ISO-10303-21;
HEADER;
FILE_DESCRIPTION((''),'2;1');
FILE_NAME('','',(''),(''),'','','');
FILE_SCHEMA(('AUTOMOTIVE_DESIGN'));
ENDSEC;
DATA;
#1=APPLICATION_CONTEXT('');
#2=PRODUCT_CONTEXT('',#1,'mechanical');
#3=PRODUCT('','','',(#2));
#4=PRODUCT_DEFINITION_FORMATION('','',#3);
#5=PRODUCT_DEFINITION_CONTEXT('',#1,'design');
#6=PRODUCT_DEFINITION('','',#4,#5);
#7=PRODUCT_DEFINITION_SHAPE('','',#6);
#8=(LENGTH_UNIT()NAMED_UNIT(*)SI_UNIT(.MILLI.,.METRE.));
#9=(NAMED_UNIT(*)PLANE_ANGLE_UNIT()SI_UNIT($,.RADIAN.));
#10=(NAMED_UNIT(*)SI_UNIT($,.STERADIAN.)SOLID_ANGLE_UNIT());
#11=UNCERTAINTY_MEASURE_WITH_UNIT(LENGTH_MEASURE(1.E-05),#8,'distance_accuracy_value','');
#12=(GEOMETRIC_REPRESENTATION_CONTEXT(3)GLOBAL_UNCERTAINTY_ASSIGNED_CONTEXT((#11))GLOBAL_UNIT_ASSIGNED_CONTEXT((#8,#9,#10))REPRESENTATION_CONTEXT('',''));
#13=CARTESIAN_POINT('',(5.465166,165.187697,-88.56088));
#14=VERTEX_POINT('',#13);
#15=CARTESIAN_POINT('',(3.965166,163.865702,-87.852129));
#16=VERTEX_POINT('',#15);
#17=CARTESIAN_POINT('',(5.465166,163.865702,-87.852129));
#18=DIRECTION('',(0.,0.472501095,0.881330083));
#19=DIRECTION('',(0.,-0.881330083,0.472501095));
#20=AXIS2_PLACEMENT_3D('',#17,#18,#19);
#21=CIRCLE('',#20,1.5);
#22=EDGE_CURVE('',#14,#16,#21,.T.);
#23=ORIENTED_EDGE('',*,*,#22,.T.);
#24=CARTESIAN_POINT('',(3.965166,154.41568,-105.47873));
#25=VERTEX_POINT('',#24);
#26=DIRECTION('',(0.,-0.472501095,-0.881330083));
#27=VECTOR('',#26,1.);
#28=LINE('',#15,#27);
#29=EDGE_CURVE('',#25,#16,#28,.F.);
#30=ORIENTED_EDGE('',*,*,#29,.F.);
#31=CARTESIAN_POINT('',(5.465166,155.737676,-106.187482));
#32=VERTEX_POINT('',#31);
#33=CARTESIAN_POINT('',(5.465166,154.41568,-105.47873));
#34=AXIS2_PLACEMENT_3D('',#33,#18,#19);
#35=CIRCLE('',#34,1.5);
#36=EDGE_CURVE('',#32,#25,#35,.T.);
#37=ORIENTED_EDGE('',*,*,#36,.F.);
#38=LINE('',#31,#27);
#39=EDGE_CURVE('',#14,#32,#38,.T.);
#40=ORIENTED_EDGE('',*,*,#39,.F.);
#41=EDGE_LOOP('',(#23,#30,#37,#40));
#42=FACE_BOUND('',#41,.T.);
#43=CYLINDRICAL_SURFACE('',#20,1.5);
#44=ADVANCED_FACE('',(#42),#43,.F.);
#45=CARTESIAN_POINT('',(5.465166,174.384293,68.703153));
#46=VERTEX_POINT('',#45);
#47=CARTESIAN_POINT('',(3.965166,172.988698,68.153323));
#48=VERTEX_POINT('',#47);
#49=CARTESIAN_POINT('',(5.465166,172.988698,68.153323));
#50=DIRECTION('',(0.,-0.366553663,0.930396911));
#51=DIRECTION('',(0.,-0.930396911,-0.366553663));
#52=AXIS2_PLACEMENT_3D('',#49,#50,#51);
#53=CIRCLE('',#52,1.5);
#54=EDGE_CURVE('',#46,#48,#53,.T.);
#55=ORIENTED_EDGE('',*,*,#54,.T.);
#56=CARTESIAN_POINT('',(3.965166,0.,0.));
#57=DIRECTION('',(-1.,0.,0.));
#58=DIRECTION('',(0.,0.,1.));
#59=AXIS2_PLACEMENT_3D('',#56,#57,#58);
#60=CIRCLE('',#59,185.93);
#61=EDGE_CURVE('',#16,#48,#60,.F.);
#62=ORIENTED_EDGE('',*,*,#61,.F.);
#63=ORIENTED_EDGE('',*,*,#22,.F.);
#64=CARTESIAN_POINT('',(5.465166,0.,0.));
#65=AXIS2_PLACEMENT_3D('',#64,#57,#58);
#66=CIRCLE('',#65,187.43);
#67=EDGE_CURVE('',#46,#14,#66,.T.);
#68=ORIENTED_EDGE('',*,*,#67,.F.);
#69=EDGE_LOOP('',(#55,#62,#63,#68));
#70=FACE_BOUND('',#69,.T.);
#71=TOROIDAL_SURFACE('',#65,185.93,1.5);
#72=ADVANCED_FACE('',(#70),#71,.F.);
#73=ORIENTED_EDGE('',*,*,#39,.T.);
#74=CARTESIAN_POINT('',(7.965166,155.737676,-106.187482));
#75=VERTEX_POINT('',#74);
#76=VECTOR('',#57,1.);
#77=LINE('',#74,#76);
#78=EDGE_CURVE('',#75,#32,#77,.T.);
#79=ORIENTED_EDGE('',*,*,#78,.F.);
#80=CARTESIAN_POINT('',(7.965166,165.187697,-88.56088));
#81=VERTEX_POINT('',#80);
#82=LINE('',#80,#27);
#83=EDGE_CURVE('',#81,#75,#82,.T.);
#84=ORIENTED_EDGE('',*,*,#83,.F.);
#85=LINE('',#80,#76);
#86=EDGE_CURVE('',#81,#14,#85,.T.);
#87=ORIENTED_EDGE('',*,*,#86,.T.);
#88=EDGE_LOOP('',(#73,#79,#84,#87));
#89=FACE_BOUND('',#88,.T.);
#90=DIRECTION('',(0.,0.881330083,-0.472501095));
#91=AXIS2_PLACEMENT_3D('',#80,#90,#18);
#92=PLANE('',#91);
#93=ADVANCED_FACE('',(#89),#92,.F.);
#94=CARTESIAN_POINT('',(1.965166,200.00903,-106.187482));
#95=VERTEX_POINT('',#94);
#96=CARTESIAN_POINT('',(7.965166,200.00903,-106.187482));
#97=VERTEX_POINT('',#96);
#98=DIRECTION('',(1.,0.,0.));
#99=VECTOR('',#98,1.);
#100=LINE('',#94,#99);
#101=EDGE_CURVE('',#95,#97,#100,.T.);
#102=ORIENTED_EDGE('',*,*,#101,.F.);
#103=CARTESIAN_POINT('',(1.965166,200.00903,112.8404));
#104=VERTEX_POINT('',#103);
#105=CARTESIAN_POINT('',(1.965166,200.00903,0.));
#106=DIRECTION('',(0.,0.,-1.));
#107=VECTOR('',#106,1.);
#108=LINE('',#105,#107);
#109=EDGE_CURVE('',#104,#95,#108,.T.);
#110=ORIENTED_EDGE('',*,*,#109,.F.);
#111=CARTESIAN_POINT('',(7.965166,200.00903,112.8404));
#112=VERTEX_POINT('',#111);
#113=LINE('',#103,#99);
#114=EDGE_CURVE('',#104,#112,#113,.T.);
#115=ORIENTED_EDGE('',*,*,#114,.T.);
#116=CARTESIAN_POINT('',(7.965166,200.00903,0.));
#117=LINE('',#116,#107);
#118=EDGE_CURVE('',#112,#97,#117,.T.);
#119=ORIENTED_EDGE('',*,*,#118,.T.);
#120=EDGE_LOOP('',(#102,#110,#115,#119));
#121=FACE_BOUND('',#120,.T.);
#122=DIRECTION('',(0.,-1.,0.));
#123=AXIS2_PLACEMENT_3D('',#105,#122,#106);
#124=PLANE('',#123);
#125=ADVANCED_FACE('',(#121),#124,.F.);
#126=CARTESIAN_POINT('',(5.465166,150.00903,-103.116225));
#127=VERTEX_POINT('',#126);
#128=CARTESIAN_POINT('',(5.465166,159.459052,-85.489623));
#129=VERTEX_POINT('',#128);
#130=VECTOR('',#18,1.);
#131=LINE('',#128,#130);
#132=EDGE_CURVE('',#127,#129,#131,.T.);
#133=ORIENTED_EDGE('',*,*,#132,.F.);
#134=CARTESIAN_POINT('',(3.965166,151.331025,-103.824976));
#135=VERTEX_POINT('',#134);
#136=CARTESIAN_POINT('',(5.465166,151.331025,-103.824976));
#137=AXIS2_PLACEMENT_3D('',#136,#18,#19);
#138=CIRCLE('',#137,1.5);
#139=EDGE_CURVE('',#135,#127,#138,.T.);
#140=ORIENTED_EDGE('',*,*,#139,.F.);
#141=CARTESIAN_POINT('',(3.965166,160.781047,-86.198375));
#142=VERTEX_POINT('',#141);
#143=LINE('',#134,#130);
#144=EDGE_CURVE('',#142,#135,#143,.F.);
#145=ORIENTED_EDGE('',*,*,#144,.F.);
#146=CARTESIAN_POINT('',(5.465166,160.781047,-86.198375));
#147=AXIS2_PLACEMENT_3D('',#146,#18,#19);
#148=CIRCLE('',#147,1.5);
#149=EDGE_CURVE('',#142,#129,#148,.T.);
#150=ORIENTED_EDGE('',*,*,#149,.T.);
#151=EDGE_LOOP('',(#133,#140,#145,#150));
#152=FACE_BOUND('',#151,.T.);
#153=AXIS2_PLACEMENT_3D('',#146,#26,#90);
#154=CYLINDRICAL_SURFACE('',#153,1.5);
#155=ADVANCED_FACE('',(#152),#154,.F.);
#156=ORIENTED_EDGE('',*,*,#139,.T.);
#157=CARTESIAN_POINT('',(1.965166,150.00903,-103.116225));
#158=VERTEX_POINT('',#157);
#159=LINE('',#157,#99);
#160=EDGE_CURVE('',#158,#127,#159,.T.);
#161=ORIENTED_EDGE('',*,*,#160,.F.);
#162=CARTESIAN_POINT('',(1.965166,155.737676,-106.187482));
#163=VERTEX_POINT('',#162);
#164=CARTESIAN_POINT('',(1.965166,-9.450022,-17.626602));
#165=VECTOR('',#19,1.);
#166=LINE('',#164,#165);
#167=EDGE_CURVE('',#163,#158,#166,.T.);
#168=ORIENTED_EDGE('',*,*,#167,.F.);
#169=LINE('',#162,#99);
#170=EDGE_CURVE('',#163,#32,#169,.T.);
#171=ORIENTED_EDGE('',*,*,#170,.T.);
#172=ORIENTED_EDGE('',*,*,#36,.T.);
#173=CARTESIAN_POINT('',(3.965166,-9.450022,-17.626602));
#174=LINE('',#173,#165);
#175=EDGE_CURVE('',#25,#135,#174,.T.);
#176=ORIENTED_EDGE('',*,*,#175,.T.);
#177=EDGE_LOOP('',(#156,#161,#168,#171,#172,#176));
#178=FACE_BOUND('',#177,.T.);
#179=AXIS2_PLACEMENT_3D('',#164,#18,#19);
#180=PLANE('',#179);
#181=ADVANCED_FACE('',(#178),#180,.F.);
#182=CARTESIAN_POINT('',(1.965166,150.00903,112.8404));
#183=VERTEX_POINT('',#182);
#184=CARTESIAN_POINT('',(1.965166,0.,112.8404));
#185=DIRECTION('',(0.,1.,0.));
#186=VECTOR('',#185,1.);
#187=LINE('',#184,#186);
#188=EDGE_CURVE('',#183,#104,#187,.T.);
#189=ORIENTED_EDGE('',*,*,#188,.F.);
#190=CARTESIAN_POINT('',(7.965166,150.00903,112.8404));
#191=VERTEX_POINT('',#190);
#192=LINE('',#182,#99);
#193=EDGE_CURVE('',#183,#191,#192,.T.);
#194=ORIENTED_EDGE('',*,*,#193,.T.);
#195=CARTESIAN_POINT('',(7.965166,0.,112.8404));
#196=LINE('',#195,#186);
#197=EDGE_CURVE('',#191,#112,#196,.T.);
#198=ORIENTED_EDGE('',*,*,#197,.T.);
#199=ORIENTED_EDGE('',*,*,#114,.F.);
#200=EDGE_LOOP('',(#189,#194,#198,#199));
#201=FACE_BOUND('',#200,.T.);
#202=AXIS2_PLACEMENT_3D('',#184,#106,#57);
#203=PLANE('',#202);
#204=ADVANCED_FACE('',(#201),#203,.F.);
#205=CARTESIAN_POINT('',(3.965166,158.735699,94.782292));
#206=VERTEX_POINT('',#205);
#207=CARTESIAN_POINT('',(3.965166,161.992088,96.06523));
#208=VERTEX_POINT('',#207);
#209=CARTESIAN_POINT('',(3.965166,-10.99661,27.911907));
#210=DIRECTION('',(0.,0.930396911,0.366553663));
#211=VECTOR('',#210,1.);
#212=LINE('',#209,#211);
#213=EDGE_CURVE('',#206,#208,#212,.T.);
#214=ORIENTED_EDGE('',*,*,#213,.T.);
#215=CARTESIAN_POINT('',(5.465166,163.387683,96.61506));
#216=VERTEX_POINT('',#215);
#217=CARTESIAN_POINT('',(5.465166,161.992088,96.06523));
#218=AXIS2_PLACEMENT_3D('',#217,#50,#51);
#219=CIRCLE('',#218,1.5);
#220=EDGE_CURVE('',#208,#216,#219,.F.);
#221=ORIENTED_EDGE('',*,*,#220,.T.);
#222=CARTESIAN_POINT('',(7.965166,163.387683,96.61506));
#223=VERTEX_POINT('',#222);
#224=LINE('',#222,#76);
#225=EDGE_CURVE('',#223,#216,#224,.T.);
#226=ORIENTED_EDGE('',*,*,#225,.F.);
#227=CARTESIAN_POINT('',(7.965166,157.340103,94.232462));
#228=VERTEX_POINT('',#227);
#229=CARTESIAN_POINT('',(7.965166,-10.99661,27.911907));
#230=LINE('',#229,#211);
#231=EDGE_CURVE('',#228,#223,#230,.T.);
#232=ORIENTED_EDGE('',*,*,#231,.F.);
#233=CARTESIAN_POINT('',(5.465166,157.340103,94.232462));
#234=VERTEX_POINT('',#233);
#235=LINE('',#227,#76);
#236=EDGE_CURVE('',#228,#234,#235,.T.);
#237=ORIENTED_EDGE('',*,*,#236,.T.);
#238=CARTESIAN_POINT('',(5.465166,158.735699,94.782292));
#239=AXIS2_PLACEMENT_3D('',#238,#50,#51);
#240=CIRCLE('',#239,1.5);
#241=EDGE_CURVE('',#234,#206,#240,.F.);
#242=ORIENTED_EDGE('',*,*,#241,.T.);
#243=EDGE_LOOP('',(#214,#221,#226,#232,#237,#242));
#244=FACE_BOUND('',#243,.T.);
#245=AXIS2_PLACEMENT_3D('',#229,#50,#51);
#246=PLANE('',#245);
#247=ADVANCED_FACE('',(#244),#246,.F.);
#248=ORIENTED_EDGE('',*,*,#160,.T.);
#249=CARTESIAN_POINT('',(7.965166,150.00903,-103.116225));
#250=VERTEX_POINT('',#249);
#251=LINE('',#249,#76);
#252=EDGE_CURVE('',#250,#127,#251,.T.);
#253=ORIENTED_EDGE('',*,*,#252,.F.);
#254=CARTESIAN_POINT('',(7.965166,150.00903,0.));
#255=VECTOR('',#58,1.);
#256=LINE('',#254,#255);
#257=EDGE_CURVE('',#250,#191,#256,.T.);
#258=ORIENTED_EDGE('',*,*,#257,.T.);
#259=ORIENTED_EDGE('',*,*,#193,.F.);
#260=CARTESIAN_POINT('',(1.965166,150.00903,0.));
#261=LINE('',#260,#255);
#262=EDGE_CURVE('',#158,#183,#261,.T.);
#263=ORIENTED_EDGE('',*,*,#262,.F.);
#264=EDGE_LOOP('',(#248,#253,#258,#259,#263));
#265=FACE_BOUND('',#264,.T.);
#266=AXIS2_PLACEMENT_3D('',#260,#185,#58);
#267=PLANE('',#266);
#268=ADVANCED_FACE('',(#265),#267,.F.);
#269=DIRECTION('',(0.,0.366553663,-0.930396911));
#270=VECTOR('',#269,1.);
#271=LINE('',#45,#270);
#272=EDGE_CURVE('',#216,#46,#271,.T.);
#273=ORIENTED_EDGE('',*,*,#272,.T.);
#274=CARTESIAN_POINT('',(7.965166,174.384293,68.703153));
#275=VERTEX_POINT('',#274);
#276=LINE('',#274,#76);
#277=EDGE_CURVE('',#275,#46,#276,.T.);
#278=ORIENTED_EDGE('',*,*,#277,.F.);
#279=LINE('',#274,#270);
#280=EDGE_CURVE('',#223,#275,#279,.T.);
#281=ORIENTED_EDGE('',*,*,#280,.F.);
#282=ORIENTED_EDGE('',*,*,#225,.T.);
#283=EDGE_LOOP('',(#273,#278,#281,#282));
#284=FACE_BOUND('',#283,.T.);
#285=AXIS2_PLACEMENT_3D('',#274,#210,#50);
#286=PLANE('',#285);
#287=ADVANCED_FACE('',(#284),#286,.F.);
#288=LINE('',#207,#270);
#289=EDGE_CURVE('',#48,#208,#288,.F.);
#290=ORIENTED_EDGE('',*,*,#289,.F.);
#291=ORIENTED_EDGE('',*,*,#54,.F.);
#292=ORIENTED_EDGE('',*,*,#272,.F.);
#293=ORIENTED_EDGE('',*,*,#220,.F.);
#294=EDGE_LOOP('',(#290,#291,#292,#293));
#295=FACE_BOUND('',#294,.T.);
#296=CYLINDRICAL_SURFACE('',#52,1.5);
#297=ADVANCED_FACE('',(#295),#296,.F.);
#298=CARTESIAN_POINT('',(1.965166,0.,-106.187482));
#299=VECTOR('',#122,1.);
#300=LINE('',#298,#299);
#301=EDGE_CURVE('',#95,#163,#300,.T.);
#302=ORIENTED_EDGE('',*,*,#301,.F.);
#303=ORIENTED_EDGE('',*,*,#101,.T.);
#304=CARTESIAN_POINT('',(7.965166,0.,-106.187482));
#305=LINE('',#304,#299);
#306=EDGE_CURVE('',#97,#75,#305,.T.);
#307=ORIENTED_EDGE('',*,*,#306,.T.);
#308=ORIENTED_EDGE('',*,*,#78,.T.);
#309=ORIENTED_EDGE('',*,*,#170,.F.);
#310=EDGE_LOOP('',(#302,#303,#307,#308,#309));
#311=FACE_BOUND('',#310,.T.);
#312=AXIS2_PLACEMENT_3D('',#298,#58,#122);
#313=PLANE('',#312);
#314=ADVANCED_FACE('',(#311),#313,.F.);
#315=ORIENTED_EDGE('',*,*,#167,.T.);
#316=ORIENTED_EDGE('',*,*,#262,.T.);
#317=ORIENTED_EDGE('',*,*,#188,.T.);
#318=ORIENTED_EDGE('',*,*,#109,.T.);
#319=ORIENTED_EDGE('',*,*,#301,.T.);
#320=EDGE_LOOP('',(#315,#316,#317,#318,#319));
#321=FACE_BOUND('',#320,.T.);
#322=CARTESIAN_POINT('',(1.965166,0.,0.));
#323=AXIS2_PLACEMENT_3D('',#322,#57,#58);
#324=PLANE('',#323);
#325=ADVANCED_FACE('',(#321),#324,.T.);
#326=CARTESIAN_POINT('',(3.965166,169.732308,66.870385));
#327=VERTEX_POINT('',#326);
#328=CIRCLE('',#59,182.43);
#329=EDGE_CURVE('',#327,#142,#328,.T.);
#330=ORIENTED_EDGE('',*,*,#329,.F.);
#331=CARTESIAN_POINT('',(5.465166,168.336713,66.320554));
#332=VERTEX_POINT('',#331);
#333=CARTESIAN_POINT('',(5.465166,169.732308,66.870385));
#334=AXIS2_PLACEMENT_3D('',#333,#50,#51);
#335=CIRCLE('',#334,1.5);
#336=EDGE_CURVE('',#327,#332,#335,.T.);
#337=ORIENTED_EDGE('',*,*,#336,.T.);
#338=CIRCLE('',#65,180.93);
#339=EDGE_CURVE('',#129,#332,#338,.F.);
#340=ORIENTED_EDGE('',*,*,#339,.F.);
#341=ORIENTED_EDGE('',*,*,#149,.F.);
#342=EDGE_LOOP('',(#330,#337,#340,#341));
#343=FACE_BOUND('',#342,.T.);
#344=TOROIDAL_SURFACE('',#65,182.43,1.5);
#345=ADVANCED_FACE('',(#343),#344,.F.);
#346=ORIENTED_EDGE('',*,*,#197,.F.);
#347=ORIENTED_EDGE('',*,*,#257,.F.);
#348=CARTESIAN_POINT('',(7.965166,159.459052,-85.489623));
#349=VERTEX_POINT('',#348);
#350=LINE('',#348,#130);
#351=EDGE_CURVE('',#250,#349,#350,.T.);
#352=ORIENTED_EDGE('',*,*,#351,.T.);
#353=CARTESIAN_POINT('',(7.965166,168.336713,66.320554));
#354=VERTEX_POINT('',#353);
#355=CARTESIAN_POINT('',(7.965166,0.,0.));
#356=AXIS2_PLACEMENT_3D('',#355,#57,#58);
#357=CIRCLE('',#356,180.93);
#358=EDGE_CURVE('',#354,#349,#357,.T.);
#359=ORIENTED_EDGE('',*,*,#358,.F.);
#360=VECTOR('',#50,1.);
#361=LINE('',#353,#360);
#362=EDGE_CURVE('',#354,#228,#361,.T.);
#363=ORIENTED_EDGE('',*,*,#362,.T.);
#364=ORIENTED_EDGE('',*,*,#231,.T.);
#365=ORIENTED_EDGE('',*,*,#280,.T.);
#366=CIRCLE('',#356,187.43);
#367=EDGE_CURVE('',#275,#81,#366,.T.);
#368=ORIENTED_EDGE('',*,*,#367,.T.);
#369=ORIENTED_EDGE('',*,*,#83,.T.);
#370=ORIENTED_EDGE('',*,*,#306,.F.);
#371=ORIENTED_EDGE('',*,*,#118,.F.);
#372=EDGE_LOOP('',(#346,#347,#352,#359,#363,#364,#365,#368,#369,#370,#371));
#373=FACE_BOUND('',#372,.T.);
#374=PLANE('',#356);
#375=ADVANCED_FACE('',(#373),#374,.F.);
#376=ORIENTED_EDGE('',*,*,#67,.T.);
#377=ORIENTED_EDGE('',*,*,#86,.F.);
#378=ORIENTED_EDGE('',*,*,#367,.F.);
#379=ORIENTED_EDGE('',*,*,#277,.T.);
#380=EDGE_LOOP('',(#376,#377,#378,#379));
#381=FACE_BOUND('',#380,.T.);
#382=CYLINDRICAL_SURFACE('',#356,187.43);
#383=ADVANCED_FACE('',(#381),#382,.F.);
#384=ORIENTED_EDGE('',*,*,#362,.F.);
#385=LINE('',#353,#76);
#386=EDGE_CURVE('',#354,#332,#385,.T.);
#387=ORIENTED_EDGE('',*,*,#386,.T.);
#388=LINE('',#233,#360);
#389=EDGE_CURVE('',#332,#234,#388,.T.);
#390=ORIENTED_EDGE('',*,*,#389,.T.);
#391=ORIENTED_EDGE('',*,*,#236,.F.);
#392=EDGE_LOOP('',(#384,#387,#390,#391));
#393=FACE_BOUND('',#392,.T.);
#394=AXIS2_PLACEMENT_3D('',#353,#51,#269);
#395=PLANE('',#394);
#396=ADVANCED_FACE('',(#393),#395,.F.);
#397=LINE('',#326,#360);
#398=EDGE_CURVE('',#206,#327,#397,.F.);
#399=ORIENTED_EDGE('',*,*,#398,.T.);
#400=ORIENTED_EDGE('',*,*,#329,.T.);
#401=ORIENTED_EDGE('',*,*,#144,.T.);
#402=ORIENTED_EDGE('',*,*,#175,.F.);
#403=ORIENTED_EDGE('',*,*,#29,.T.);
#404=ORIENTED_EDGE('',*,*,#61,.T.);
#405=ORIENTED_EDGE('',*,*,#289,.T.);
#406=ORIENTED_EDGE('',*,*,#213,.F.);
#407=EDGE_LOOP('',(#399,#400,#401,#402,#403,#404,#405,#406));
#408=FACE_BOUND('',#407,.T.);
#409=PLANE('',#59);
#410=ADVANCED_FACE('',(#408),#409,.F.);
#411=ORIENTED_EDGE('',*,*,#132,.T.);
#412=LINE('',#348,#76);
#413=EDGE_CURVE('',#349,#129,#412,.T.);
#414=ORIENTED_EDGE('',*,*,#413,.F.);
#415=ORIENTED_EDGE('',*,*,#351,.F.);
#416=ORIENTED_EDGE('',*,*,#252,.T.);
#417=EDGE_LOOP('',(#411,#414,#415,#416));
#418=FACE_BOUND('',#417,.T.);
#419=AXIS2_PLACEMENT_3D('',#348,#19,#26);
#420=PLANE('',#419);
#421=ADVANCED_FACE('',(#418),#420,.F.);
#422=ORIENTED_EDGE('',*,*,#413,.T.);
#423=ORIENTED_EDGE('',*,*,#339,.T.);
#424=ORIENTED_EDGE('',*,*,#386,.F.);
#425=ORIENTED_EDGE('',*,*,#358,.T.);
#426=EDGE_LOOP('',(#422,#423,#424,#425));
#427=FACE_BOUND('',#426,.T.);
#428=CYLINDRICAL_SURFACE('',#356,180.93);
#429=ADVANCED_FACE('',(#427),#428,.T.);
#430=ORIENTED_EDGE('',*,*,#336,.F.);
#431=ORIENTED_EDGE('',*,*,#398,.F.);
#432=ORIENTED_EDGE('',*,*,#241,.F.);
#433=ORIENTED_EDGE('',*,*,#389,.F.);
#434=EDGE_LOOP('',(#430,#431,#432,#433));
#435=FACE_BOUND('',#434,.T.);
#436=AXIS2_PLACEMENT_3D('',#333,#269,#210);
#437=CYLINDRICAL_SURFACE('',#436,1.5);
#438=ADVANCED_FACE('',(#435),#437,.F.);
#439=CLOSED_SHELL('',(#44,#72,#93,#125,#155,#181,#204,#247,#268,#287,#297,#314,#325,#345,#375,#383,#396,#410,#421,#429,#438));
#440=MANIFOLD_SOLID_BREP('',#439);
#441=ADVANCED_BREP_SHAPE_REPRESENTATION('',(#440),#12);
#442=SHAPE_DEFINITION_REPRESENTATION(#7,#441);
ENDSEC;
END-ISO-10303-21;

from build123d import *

# Parameters (mm, degrees)
RESSALTO_EXTRUS_O1_DEPTH = 2
RESSALTO_EXTRUS_O2_DEPTH = 4
FILETE1_R                = 1.5


with BuildPart() as part:
    # Esboço2 → Ressalto-extrusão1 (new body)
    with BuildSketch(Plane(origin=(3.965165603, 1.072526679, 0.020251395), x_dir=(0, 0, 1), z_dir=(-1, 0, 0))):
        Polygon((-106.20773335, 198.936503302), (-106.20773335, 154.66514884), (-103.13647623, 148.936503302), (112.820148392, 148.936503302), (112.820148392, 198.936503302), align=None)
    extrude(amount=RESSALTO_EXTRUS_O1_DEPTH)

    # Esboço2<3> → Ressalto-extrusão2 (add)
    with BuildSketch(Plane(origin=(3.965165603, 1.072526679, 0.020251395), x_dir=(0, 0, 1), z_dir=(-1, 0, 0))):
        with BuildLine():
            Line((-85.509874573, 158.386525208), (-103.13647623, 148.936503302))
            Line((-103.13647623, 148.936503302), (112.820148392, 148.936503302))
            Line((112.820148392, 148.936503302), (112.820148392, 198.936503302))
            Line((112.820148392, 198.936503302), (-106.20773335, 198.936503302))
            Line((-106.20773335, 198.936503302), (-106.20773335, 154.66514884))
            Line((-106.20773335, 154.66514884), (-88.581131693, 164.115170747))
            ThreePointArc((-88.581131693, 164.115170747), (-10.962219944, 186.037810353), (68.682901646, 173.31176637))
            Line((68.682901646, 173.31176637), (96.594808979, 162.315156482))
            Line((96.594808979, 162.315156482), (94.21221017, 156.26757656))
            Line((94.21221017, 156.26757656), (66.300302837, 167.264186448))
            ThreePointArc((66.300302837, 167.264186448), (-10.582756701, 179.548896141), (-85.509874573, 158.386525208))
        make_face()
    extrude(amount=-RESSALTO_EXTRUS_O2_DEPTH)

    # Filete1
    filete1_edges = [part.edges().sort_by_distance(p)[0] for p in [
        (3.965165603, 154.734040934, -94.302924007),
        (3.965165603, 160.462686473, -97.374181126),
        (3.965165603, 180.62142282, -10.562505306),
        (3.965165603, 162.838408183, 80.276507899),
        (3.965165603, 168.885988105, 82.659106708),
        (3.965165603, 187.110337032, -10.941968548),
    ]]
    fillet(filete1_edges, radius=FILETE1_R)


solid = part.part
